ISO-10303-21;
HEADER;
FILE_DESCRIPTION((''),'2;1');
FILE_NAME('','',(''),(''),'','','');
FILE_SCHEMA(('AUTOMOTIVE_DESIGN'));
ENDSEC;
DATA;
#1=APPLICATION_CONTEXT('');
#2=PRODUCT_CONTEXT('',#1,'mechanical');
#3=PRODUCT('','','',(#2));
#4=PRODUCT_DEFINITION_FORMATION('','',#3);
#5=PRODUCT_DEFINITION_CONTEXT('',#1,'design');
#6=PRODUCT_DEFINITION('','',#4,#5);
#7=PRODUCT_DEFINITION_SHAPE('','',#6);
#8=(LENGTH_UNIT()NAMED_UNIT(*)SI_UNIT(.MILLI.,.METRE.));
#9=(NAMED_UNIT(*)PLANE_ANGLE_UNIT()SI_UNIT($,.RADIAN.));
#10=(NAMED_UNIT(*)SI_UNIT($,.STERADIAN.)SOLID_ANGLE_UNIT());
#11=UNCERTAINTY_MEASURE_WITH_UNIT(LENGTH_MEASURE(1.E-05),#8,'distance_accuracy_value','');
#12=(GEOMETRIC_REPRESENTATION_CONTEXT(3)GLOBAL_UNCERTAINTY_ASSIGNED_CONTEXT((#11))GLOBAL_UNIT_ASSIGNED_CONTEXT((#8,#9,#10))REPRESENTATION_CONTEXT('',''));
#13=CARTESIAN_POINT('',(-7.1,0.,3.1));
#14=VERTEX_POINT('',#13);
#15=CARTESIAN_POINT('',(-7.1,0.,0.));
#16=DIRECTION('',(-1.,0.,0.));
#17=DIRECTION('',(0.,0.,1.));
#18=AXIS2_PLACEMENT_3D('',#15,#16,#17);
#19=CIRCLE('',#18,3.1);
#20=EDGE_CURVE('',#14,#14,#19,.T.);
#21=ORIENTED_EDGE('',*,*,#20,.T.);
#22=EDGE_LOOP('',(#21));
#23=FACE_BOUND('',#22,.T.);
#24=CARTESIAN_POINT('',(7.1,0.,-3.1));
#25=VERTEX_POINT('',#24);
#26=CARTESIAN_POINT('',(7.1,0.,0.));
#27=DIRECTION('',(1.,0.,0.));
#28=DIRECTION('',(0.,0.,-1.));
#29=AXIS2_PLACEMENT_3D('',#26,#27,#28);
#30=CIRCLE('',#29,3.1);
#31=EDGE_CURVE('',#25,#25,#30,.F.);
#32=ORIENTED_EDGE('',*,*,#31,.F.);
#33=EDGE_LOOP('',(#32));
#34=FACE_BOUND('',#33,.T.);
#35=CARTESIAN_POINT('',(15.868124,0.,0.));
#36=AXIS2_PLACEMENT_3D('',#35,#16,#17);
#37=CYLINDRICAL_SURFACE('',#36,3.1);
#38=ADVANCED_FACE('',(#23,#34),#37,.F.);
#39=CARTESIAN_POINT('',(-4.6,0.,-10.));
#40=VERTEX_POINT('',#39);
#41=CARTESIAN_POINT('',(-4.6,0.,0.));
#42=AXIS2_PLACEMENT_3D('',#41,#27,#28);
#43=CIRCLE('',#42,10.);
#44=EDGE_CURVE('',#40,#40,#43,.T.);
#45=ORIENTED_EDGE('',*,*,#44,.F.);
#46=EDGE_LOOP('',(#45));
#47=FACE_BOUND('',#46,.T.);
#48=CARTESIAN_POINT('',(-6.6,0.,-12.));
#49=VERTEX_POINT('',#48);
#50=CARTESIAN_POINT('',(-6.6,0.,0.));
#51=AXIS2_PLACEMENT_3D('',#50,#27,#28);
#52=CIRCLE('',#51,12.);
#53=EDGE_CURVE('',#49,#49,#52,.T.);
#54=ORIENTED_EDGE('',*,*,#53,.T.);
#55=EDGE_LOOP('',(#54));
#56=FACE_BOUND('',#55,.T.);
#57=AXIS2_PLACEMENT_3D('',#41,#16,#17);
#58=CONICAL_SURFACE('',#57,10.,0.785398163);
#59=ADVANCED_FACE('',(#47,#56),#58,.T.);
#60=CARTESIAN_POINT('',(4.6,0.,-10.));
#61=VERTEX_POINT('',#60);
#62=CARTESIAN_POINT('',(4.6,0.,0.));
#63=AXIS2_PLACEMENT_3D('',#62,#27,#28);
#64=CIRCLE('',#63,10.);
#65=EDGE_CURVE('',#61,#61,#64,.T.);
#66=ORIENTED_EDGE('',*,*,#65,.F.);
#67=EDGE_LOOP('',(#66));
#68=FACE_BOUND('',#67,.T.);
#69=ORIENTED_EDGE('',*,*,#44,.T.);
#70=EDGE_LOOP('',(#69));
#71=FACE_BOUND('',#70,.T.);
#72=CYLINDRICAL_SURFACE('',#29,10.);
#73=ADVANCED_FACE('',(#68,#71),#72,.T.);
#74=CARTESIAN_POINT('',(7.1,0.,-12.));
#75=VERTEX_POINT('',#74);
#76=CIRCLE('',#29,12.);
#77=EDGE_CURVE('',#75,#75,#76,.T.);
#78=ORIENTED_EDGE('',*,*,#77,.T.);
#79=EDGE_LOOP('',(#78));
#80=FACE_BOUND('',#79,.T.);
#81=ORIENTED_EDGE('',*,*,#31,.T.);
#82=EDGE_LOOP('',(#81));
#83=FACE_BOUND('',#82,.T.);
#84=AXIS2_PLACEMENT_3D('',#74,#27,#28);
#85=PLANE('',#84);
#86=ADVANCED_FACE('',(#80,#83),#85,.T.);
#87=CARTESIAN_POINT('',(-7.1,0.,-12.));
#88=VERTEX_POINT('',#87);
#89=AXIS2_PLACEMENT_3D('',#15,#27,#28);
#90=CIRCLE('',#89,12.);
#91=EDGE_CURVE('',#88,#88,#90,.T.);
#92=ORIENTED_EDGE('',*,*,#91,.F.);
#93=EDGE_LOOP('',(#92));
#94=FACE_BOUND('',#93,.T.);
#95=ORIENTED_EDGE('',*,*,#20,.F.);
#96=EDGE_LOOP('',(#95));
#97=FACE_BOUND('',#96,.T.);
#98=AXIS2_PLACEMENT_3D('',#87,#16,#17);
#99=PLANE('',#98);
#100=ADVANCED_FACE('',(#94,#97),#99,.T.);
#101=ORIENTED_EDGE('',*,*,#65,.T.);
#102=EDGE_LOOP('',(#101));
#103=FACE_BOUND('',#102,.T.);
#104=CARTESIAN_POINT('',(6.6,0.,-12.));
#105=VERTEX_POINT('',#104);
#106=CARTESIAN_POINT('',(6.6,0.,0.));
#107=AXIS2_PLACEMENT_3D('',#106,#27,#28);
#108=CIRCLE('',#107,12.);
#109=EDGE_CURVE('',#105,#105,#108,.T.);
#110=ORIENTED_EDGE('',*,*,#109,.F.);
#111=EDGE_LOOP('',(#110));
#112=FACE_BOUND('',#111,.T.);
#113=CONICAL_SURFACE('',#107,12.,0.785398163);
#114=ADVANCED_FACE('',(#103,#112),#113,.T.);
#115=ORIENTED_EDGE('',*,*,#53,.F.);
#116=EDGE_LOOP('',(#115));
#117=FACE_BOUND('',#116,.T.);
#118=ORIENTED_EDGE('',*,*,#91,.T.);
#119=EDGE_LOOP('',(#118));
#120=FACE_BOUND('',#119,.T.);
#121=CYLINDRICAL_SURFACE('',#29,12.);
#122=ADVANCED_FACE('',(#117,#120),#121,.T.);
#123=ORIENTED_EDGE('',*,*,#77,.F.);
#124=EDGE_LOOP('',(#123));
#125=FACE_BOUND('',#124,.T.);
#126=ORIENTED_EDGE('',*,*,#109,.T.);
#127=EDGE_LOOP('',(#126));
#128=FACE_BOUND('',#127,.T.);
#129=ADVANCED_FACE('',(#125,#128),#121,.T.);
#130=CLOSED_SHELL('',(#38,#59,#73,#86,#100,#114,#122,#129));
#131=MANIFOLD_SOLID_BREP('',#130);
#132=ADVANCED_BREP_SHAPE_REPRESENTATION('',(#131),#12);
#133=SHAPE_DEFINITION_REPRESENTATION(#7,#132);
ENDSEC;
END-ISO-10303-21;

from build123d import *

# Parameters (mm, degrees)
SKETCH3_R          = 3.1
CUT_EXTRUDE1_DEPTH = 14.2


with BuildPart() as part:
    # Sketch2 → Revolve1 (revolve)
    with BuildSketch(Plane(origin=(0, 0, 0), x_dir=(1, 0, 0), z_dir=(0, 1, 0))):
        Polygon((-7.1, 12), (-6.6, 12), (-4.6, 10), (4.6, 10), (6.6, 12), (7.1, 12), (7.1, 0), (-7.1, 0), align=None)
    revolve(axis=Axis((7.1, 0, 0), (-1, 0, 0)))

    # Sketch3 → Cut-Extrude1 (cut)
    with BuildSketch(Plane.ZY.offset(7.1)):
        Circle(SKETCH3_R)
    extrude(amount=-CUT_EXTRUDE1_DEPTH, mode=Mode.SUBTRACT)


solid = part.part
